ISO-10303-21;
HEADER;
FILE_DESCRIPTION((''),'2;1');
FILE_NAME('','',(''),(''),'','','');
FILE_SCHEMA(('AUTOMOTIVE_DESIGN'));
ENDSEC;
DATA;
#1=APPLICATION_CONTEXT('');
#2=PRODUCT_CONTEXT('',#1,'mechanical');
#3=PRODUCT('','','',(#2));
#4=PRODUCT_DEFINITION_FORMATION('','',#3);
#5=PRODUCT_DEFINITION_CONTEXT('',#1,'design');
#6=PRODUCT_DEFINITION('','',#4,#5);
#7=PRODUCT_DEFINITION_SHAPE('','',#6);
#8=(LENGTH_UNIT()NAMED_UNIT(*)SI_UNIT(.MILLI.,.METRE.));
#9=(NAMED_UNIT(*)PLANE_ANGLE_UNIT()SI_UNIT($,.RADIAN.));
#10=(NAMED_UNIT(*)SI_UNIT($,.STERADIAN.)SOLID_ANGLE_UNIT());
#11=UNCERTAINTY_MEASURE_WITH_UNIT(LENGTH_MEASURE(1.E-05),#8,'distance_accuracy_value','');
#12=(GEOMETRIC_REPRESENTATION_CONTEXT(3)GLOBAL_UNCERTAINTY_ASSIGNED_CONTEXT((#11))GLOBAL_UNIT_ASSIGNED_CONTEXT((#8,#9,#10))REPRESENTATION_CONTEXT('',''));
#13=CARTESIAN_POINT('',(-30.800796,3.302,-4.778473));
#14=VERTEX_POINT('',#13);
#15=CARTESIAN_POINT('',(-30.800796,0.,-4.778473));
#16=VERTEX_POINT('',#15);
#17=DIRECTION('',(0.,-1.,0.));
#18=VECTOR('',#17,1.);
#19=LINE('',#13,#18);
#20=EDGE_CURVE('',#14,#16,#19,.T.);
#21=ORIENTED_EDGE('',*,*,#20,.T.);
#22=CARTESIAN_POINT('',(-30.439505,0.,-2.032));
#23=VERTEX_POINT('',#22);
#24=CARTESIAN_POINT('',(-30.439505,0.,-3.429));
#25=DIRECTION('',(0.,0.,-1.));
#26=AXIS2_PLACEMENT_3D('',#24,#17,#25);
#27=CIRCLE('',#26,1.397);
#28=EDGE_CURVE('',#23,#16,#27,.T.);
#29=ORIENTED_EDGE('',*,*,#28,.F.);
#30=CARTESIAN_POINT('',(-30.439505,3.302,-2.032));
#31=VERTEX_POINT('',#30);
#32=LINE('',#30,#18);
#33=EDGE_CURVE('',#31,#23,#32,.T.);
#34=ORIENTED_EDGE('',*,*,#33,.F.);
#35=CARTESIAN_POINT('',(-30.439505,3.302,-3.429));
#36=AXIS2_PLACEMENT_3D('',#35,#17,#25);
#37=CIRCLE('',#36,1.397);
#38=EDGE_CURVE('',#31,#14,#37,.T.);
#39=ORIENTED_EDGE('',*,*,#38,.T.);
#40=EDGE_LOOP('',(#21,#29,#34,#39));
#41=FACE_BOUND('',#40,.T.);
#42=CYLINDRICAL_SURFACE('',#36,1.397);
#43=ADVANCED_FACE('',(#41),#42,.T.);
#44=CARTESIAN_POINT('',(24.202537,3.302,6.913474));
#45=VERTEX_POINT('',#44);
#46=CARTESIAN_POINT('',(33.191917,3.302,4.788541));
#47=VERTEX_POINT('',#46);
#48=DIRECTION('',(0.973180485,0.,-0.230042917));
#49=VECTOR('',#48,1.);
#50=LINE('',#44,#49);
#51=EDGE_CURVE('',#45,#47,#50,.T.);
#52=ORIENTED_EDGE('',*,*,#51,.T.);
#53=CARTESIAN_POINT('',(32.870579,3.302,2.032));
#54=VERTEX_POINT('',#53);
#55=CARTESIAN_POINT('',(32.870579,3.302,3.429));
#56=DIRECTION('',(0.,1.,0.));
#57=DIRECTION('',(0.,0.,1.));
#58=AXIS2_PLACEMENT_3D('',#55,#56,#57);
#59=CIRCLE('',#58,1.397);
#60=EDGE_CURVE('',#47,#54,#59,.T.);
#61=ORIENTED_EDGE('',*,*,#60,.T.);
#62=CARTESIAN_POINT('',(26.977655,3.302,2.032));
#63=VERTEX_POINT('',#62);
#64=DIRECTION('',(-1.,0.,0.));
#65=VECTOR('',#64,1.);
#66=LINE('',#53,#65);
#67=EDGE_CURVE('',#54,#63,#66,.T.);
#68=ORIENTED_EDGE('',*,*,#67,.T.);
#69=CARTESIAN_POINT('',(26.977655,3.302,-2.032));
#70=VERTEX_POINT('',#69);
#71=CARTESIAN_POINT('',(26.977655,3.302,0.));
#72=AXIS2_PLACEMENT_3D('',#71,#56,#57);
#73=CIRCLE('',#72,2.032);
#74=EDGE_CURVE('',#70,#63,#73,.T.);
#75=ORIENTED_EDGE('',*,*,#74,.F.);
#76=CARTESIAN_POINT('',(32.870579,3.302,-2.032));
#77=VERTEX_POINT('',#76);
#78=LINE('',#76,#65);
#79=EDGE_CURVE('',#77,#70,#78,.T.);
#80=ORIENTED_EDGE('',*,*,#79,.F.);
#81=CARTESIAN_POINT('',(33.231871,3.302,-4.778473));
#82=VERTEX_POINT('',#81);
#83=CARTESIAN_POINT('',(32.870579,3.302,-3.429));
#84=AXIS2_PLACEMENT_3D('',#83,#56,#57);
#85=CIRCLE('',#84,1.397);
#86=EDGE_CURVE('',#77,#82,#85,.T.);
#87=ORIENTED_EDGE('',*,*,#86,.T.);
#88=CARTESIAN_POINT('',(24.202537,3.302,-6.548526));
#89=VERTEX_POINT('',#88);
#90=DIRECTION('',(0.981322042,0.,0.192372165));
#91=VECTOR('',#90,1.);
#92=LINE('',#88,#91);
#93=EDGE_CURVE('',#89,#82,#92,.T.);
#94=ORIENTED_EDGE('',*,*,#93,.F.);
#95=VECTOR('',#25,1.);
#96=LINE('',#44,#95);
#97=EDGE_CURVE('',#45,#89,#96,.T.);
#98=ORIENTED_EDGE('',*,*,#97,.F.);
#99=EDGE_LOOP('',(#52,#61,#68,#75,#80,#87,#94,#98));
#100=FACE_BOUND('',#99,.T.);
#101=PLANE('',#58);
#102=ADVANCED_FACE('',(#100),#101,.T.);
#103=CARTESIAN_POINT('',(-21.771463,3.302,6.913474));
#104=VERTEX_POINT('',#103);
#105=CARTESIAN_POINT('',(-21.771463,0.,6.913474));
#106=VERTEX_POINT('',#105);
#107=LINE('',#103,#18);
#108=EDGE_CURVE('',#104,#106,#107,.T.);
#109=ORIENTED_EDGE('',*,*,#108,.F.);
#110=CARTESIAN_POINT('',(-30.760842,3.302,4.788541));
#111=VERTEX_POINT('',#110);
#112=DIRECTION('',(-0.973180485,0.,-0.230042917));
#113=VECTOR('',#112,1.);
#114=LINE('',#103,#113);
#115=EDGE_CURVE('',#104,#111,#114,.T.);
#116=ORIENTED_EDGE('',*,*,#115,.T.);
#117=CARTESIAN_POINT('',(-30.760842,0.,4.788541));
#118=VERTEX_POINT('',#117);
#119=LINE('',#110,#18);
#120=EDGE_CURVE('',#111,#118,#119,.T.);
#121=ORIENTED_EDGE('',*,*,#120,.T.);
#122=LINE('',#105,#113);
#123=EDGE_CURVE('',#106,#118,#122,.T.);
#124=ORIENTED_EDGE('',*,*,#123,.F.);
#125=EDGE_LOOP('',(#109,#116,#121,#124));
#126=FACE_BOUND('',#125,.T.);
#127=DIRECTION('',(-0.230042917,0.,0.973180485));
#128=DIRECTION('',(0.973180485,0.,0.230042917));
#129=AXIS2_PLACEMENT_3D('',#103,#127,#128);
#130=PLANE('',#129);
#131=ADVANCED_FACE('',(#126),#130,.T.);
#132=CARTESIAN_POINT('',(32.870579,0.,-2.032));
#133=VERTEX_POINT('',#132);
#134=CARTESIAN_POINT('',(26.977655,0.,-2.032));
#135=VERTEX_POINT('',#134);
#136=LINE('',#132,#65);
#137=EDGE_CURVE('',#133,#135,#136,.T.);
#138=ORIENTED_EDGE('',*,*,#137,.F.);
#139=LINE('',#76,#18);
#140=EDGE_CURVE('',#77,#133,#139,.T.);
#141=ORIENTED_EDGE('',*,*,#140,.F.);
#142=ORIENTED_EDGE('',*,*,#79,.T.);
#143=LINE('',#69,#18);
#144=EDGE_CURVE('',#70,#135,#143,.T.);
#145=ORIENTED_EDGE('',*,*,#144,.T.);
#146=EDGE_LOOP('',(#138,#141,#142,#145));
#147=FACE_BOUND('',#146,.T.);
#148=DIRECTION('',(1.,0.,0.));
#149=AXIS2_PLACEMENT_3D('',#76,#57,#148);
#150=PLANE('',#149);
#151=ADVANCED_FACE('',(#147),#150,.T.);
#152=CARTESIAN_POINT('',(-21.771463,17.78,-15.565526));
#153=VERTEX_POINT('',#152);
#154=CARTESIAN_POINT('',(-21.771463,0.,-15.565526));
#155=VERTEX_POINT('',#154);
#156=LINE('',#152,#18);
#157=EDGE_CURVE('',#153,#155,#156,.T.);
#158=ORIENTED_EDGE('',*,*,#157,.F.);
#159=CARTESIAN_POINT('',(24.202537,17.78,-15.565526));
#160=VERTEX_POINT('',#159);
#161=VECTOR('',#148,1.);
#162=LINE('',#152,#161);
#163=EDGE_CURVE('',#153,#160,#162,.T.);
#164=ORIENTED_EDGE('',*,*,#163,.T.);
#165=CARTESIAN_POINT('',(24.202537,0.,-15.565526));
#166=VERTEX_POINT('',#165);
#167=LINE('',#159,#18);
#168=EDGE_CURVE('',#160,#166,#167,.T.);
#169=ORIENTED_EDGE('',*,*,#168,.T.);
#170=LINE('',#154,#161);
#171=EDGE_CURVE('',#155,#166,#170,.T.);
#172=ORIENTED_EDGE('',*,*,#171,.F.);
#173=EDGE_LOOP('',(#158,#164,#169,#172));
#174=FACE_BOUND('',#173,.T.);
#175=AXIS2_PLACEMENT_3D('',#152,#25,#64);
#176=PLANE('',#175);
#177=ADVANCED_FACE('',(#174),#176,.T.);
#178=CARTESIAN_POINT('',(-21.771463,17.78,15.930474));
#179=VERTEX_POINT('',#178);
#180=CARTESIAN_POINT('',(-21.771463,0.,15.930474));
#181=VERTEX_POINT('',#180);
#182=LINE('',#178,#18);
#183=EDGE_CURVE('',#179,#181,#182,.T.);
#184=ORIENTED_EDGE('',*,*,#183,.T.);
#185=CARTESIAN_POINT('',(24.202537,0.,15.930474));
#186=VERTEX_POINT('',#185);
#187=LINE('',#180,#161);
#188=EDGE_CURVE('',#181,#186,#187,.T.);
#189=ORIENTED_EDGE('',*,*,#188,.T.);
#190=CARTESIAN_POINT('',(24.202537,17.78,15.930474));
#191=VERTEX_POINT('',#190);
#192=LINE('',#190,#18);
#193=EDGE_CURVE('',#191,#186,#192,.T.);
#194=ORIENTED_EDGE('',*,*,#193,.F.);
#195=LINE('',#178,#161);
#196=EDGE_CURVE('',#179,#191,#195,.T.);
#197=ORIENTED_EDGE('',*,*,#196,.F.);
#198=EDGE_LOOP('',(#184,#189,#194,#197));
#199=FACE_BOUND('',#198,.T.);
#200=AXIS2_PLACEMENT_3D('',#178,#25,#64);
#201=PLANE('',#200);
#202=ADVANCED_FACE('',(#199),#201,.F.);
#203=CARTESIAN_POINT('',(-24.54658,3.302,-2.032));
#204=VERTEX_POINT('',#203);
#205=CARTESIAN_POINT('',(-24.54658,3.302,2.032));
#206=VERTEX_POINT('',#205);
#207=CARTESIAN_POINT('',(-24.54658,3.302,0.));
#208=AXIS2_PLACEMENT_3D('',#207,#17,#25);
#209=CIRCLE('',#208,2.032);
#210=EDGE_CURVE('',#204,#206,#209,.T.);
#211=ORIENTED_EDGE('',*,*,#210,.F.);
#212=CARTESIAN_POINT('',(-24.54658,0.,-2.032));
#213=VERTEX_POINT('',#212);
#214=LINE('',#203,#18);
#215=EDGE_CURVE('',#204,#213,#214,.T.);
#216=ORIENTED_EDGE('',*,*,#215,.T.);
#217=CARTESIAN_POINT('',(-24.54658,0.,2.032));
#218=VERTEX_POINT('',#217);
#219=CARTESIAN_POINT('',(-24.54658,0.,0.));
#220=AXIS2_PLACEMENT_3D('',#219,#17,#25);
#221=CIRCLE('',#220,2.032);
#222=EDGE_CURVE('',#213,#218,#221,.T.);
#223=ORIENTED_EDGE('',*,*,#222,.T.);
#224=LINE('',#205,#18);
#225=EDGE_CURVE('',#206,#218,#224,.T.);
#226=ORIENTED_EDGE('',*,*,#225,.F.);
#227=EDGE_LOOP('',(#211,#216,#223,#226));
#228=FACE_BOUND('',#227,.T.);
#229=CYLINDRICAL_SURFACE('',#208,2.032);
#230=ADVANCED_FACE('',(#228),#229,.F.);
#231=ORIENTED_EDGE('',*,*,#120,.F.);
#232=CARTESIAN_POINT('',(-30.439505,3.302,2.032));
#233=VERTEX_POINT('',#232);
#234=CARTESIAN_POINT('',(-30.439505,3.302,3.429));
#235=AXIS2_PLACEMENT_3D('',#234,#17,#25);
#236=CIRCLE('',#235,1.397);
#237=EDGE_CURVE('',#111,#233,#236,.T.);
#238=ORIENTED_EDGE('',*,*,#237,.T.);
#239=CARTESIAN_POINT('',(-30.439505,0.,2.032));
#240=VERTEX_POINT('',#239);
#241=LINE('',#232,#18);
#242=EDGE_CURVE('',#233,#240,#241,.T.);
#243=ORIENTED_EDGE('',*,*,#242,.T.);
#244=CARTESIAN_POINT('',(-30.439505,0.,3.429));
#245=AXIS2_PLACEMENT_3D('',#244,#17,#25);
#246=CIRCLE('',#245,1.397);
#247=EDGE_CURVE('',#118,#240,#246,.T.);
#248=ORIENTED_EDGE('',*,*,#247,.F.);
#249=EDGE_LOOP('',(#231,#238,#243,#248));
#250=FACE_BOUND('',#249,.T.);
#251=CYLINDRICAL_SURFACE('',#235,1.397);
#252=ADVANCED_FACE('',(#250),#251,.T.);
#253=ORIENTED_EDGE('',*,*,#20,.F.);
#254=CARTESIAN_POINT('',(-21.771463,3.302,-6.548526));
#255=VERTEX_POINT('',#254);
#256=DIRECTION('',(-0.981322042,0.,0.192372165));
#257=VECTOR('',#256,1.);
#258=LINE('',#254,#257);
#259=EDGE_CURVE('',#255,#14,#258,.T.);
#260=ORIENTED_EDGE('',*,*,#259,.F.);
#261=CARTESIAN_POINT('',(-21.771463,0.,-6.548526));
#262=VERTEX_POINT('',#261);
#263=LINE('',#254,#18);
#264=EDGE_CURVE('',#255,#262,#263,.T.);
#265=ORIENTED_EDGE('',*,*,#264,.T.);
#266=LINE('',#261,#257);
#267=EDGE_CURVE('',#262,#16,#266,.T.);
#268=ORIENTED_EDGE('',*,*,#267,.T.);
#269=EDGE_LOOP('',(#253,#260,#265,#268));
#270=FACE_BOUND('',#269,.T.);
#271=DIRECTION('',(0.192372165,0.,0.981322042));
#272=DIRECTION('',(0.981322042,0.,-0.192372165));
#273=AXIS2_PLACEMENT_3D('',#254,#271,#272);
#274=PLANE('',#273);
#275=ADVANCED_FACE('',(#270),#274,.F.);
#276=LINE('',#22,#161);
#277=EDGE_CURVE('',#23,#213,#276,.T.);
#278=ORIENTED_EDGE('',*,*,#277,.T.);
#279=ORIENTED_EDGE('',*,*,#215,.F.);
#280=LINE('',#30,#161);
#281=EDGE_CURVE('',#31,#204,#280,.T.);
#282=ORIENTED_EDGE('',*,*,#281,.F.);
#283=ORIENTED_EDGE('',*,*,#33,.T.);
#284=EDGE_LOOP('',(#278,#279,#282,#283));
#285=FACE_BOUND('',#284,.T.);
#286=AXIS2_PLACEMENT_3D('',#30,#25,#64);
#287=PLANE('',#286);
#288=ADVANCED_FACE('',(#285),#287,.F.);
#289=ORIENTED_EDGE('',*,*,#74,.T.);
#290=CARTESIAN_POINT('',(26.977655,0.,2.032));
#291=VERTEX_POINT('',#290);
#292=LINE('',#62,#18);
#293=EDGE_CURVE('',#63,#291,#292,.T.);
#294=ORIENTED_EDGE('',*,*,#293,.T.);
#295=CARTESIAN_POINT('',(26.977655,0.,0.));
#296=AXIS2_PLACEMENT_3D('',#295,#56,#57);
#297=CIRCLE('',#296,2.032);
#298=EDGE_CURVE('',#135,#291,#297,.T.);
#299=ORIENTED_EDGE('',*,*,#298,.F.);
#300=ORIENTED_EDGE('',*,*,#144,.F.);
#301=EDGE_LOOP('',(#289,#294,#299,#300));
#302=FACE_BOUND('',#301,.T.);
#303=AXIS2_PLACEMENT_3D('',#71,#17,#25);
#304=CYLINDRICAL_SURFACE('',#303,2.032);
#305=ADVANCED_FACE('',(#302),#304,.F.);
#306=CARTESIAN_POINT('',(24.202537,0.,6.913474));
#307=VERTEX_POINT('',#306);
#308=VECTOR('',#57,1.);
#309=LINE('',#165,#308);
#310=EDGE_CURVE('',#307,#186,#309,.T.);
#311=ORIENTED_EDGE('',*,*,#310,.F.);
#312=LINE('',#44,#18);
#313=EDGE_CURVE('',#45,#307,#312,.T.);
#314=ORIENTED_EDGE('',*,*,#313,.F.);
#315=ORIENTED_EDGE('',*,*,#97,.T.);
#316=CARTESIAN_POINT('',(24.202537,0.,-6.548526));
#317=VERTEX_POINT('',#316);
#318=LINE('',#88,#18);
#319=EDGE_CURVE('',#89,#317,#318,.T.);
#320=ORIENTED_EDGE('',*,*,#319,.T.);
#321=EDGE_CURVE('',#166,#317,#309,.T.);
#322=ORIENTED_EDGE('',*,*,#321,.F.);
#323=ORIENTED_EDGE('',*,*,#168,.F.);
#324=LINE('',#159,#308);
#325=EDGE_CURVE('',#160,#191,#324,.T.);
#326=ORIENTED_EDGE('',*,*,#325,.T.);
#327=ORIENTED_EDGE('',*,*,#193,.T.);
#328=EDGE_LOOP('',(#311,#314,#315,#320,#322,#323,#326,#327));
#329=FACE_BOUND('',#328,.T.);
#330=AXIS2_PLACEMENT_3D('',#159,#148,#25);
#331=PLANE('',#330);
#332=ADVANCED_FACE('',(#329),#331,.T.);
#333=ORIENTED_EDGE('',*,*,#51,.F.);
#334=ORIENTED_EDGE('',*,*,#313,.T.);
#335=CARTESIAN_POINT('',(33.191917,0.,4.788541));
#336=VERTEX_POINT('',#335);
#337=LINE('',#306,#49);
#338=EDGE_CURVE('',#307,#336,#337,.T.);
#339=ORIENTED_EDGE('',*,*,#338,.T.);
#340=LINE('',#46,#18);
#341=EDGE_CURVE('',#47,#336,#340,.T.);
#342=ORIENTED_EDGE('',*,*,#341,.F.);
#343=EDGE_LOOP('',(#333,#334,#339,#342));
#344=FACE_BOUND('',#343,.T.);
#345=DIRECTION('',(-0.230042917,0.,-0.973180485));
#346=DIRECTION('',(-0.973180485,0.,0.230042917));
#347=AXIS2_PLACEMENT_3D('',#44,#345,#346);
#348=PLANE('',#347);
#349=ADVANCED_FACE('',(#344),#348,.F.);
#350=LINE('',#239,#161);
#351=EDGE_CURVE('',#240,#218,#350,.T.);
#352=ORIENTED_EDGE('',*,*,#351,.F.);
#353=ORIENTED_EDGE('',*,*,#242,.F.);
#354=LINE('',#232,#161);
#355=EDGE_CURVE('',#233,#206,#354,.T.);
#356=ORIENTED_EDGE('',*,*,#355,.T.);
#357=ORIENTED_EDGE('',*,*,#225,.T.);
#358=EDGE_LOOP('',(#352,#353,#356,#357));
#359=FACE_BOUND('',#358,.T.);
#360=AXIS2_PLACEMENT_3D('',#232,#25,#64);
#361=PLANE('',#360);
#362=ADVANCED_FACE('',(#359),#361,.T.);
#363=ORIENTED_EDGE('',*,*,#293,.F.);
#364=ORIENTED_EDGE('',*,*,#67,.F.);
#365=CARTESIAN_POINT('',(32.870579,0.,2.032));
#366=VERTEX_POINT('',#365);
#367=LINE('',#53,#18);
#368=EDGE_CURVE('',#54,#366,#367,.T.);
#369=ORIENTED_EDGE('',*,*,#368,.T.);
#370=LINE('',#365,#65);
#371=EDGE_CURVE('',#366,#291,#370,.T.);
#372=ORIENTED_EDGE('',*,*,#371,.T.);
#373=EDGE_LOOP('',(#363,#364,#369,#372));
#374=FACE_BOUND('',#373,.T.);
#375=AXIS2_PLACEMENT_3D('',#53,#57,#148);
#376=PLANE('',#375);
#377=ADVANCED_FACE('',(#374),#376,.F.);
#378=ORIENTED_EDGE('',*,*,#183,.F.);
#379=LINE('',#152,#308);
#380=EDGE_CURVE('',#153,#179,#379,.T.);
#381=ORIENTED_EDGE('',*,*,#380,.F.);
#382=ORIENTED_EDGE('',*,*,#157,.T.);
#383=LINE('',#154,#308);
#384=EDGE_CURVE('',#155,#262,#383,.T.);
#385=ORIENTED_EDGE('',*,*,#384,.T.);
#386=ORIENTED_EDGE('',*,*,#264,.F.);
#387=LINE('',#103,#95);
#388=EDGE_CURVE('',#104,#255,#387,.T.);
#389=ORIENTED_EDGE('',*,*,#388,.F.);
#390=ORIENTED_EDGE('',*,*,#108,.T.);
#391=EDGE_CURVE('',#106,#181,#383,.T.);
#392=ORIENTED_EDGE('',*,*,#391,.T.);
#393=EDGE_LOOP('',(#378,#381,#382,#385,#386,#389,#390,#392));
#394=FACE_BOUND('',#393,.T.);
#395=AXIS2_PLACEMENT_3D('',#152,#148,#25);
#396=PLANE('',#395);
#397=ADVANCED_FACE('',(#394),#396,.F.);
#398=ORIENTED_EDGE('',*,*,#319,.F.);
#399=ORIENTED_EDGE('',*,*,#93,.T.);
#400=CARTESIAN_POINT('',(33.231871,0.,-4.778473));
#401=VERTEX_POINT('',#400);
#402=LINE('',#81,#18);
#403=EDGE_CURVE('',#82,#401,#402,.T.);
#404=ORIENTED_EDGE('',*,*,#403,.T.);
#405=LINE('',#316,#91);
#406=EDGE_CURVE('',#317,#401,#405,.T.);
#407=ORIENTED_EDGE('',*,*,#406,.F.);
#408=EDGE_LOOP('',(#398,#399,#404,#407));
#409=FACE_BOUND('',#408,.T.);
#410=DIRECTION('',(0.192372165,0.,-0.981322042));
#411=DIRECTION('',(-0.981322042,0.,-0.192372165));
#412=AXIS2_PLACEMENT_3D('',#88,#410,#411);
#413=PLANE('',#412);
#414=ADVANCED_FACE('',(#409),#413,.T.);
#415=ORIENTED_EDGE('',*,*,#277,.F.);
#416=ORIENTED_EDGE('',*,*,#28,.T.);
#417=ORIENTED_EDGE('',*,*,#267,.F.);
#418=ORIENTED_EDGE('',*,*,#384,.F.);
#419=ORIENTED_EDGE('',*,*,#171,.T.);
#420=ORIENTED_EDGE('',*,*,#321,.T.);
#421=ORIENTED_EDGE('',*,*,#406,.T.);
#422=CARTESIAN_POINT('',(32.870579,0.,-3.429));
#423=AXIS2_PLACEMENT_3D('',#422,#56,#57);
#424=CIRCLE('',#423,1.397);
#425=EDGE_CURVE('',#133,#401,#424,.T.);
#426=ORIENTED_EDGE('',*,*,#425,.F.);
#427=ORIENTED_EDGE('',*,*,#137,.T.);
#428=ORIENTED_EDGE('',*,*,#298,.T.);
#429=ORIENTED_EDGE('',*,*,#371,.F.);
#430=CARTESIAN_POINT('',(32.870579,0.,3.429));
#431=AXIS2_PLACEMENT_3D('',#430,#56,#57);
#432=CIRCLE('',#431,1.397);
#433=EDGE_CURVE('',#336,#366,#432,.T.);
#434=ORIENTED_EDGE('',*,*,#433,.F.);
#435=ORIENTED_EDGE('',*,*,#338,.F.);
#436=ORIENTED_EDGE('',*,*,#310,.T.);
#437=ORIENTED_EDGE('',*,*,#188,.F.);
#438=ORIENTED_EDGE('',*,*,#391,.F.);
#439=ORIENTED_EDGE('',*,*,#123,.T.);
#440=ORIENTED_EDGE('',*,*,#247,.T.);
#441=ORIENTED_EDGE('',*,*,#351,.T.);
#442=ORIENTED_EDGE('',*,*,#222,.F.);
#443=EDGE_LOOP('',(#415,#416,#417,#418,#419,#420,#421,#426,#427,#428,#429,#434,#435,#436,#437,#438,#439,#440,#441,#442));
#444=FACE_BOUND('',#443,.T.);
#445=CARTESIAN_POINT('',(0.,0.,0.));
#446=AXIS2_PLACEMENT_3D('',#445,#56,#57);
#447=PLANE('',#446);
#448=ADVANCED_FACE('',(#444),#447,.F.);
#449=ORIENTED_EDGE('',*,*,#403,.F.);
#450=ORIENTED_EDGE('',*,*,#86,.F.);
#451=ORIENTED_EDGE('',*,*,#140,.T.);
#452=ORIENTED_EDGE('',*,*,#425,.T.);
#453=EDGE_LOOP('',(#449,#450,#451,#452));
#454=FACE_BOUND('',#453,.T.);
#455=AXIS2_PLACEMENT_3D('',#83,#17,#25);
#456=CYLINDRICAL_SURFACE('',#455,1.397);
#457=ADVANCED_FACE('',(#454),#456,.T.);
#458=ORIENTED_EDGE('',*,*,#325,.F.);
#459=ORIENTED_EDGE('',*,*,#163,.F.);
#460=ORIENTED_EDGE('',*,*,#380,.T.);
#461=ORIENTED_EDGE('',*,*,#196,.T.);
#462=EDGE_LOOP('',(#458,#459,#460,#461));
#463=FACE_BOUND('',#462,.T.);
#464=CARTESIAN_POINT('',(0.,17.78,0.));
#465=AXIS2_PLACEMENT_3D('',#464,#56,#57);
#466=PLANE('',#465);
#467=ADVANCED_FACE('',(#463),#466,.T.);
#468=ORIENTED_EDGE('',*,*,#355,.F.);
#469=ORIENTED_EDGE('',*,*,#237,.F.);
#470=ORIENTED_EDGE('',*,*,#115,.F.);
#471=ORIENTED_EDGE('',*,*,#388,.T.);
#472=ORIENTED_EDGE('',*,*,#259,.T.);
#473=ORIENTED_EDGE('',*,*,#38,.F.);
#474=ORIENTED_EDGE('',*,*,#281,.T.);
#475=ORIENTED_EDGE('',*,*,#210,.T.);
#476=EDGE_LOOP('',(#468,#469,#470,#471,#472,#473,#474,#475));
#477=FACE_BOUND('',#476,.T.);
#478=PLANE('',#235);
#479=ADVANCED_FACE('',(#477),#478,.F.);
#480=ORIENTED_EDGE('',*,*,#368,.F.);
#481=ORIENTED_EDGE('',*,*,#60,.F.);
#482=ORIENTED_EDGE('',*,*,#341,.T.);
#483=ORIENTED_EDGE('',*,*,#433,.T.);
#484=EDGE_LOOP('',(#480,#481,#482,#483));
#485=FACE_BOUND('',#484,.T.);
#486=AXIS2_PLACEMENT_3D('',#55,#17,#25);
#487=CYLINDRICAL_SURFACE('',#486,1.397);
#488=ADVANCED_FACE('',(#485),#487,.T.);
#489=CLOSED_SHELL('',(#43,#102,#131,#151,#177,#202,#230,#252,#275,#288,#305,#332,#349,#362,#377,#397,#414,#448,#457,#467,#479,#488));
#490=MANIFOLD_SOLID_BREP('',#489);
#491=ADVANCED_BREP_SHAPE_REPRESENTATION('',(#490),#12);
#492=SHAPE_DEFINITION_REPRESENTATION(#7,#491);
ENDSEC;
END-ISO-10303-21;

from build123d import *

# Parameters (mm, degrees)
SKETCH1_W           = 45.974
SKETCH1_H           = 31.496
BOSS_EXTRUDE2_DEPTH = 17.78
BOSS_EXTRUDE6_DEPTH = 3.302


with BuildPart() as part:
    # Sketch1 → Boss-Extrude2 (new body)
    with BuildSketch(Plane(origin=(0, 0, 0), x_dir=(1, 0, 0), z_dir=(0, 1, 0))):
        with Locations((1.215537396, -0.182473566)):
            Rectangle(SKETCH1_W, SKETCH1_H)
    extrude(amount=BOSS_EXTRUDE2_DEPTH)

    # Sketch2 → Boss-Extrude6 (add)
    with BuildSketch(Plane.XZ):
        with BuildLine():
            Line((-21.771462604, 6.913473566), (-21.771462604, -6.548526434))
            Line((-21.771462604, -6.548526434), (-30.800796473, -4.778472942))
            ThreePointArc((-30.800796473, -4.778472942), (-31.824571926, -3.246797777), (-30.439504653, -2.032))
            Line((-30.439504653, -2.032), (-24.546579859, -2.032))
            ThreePointArc((-24.546579859, -2.032), (-22.514579859, 0), (-24.546579859, 2.032))
            Line((-24.546579859, 2.032), (-30.439504653, 2.032))
            ThreePointArc((-30.439504653, 2.032), (-31.827108275, 3.267243429), (-30.76084181, 4.78854089))
            Line((-30.76084181, 4.78854089), (-21.771462604, 6.913473566))
        make_face()
        with BuildLine():
            Line((32.870579445, 2.032), (26.977654651, 2.032))
            ThreePointArc((26.977654651, 2.032), (24.945654651, 0), (26.977654651, -2.032))
            Line((26.977654651, -2.032), (32.870579445, -2.032))
            ThreePointArc((32.870579445, -2.032), (34.255646718, -3.246797777), (33.231871264, -4.778472942))
            Line((33.231871264, -4.778472942), (24.202537396, -6.548526434))
            Line((24.202537396, -6.548526434), (24.202537396, 6.913473566))
            Line((24.202537396, 6.913473566), (33.191916602, 4.78854089))
            ThreePointArc((33.191916602, 4.78854089), (34.258183067, 3.267243429), (32.870579445, 2.032))
        make_face()
    extrude(amount=-BOSS_EXTRUDE6_DEPTH)


solid = part.part
